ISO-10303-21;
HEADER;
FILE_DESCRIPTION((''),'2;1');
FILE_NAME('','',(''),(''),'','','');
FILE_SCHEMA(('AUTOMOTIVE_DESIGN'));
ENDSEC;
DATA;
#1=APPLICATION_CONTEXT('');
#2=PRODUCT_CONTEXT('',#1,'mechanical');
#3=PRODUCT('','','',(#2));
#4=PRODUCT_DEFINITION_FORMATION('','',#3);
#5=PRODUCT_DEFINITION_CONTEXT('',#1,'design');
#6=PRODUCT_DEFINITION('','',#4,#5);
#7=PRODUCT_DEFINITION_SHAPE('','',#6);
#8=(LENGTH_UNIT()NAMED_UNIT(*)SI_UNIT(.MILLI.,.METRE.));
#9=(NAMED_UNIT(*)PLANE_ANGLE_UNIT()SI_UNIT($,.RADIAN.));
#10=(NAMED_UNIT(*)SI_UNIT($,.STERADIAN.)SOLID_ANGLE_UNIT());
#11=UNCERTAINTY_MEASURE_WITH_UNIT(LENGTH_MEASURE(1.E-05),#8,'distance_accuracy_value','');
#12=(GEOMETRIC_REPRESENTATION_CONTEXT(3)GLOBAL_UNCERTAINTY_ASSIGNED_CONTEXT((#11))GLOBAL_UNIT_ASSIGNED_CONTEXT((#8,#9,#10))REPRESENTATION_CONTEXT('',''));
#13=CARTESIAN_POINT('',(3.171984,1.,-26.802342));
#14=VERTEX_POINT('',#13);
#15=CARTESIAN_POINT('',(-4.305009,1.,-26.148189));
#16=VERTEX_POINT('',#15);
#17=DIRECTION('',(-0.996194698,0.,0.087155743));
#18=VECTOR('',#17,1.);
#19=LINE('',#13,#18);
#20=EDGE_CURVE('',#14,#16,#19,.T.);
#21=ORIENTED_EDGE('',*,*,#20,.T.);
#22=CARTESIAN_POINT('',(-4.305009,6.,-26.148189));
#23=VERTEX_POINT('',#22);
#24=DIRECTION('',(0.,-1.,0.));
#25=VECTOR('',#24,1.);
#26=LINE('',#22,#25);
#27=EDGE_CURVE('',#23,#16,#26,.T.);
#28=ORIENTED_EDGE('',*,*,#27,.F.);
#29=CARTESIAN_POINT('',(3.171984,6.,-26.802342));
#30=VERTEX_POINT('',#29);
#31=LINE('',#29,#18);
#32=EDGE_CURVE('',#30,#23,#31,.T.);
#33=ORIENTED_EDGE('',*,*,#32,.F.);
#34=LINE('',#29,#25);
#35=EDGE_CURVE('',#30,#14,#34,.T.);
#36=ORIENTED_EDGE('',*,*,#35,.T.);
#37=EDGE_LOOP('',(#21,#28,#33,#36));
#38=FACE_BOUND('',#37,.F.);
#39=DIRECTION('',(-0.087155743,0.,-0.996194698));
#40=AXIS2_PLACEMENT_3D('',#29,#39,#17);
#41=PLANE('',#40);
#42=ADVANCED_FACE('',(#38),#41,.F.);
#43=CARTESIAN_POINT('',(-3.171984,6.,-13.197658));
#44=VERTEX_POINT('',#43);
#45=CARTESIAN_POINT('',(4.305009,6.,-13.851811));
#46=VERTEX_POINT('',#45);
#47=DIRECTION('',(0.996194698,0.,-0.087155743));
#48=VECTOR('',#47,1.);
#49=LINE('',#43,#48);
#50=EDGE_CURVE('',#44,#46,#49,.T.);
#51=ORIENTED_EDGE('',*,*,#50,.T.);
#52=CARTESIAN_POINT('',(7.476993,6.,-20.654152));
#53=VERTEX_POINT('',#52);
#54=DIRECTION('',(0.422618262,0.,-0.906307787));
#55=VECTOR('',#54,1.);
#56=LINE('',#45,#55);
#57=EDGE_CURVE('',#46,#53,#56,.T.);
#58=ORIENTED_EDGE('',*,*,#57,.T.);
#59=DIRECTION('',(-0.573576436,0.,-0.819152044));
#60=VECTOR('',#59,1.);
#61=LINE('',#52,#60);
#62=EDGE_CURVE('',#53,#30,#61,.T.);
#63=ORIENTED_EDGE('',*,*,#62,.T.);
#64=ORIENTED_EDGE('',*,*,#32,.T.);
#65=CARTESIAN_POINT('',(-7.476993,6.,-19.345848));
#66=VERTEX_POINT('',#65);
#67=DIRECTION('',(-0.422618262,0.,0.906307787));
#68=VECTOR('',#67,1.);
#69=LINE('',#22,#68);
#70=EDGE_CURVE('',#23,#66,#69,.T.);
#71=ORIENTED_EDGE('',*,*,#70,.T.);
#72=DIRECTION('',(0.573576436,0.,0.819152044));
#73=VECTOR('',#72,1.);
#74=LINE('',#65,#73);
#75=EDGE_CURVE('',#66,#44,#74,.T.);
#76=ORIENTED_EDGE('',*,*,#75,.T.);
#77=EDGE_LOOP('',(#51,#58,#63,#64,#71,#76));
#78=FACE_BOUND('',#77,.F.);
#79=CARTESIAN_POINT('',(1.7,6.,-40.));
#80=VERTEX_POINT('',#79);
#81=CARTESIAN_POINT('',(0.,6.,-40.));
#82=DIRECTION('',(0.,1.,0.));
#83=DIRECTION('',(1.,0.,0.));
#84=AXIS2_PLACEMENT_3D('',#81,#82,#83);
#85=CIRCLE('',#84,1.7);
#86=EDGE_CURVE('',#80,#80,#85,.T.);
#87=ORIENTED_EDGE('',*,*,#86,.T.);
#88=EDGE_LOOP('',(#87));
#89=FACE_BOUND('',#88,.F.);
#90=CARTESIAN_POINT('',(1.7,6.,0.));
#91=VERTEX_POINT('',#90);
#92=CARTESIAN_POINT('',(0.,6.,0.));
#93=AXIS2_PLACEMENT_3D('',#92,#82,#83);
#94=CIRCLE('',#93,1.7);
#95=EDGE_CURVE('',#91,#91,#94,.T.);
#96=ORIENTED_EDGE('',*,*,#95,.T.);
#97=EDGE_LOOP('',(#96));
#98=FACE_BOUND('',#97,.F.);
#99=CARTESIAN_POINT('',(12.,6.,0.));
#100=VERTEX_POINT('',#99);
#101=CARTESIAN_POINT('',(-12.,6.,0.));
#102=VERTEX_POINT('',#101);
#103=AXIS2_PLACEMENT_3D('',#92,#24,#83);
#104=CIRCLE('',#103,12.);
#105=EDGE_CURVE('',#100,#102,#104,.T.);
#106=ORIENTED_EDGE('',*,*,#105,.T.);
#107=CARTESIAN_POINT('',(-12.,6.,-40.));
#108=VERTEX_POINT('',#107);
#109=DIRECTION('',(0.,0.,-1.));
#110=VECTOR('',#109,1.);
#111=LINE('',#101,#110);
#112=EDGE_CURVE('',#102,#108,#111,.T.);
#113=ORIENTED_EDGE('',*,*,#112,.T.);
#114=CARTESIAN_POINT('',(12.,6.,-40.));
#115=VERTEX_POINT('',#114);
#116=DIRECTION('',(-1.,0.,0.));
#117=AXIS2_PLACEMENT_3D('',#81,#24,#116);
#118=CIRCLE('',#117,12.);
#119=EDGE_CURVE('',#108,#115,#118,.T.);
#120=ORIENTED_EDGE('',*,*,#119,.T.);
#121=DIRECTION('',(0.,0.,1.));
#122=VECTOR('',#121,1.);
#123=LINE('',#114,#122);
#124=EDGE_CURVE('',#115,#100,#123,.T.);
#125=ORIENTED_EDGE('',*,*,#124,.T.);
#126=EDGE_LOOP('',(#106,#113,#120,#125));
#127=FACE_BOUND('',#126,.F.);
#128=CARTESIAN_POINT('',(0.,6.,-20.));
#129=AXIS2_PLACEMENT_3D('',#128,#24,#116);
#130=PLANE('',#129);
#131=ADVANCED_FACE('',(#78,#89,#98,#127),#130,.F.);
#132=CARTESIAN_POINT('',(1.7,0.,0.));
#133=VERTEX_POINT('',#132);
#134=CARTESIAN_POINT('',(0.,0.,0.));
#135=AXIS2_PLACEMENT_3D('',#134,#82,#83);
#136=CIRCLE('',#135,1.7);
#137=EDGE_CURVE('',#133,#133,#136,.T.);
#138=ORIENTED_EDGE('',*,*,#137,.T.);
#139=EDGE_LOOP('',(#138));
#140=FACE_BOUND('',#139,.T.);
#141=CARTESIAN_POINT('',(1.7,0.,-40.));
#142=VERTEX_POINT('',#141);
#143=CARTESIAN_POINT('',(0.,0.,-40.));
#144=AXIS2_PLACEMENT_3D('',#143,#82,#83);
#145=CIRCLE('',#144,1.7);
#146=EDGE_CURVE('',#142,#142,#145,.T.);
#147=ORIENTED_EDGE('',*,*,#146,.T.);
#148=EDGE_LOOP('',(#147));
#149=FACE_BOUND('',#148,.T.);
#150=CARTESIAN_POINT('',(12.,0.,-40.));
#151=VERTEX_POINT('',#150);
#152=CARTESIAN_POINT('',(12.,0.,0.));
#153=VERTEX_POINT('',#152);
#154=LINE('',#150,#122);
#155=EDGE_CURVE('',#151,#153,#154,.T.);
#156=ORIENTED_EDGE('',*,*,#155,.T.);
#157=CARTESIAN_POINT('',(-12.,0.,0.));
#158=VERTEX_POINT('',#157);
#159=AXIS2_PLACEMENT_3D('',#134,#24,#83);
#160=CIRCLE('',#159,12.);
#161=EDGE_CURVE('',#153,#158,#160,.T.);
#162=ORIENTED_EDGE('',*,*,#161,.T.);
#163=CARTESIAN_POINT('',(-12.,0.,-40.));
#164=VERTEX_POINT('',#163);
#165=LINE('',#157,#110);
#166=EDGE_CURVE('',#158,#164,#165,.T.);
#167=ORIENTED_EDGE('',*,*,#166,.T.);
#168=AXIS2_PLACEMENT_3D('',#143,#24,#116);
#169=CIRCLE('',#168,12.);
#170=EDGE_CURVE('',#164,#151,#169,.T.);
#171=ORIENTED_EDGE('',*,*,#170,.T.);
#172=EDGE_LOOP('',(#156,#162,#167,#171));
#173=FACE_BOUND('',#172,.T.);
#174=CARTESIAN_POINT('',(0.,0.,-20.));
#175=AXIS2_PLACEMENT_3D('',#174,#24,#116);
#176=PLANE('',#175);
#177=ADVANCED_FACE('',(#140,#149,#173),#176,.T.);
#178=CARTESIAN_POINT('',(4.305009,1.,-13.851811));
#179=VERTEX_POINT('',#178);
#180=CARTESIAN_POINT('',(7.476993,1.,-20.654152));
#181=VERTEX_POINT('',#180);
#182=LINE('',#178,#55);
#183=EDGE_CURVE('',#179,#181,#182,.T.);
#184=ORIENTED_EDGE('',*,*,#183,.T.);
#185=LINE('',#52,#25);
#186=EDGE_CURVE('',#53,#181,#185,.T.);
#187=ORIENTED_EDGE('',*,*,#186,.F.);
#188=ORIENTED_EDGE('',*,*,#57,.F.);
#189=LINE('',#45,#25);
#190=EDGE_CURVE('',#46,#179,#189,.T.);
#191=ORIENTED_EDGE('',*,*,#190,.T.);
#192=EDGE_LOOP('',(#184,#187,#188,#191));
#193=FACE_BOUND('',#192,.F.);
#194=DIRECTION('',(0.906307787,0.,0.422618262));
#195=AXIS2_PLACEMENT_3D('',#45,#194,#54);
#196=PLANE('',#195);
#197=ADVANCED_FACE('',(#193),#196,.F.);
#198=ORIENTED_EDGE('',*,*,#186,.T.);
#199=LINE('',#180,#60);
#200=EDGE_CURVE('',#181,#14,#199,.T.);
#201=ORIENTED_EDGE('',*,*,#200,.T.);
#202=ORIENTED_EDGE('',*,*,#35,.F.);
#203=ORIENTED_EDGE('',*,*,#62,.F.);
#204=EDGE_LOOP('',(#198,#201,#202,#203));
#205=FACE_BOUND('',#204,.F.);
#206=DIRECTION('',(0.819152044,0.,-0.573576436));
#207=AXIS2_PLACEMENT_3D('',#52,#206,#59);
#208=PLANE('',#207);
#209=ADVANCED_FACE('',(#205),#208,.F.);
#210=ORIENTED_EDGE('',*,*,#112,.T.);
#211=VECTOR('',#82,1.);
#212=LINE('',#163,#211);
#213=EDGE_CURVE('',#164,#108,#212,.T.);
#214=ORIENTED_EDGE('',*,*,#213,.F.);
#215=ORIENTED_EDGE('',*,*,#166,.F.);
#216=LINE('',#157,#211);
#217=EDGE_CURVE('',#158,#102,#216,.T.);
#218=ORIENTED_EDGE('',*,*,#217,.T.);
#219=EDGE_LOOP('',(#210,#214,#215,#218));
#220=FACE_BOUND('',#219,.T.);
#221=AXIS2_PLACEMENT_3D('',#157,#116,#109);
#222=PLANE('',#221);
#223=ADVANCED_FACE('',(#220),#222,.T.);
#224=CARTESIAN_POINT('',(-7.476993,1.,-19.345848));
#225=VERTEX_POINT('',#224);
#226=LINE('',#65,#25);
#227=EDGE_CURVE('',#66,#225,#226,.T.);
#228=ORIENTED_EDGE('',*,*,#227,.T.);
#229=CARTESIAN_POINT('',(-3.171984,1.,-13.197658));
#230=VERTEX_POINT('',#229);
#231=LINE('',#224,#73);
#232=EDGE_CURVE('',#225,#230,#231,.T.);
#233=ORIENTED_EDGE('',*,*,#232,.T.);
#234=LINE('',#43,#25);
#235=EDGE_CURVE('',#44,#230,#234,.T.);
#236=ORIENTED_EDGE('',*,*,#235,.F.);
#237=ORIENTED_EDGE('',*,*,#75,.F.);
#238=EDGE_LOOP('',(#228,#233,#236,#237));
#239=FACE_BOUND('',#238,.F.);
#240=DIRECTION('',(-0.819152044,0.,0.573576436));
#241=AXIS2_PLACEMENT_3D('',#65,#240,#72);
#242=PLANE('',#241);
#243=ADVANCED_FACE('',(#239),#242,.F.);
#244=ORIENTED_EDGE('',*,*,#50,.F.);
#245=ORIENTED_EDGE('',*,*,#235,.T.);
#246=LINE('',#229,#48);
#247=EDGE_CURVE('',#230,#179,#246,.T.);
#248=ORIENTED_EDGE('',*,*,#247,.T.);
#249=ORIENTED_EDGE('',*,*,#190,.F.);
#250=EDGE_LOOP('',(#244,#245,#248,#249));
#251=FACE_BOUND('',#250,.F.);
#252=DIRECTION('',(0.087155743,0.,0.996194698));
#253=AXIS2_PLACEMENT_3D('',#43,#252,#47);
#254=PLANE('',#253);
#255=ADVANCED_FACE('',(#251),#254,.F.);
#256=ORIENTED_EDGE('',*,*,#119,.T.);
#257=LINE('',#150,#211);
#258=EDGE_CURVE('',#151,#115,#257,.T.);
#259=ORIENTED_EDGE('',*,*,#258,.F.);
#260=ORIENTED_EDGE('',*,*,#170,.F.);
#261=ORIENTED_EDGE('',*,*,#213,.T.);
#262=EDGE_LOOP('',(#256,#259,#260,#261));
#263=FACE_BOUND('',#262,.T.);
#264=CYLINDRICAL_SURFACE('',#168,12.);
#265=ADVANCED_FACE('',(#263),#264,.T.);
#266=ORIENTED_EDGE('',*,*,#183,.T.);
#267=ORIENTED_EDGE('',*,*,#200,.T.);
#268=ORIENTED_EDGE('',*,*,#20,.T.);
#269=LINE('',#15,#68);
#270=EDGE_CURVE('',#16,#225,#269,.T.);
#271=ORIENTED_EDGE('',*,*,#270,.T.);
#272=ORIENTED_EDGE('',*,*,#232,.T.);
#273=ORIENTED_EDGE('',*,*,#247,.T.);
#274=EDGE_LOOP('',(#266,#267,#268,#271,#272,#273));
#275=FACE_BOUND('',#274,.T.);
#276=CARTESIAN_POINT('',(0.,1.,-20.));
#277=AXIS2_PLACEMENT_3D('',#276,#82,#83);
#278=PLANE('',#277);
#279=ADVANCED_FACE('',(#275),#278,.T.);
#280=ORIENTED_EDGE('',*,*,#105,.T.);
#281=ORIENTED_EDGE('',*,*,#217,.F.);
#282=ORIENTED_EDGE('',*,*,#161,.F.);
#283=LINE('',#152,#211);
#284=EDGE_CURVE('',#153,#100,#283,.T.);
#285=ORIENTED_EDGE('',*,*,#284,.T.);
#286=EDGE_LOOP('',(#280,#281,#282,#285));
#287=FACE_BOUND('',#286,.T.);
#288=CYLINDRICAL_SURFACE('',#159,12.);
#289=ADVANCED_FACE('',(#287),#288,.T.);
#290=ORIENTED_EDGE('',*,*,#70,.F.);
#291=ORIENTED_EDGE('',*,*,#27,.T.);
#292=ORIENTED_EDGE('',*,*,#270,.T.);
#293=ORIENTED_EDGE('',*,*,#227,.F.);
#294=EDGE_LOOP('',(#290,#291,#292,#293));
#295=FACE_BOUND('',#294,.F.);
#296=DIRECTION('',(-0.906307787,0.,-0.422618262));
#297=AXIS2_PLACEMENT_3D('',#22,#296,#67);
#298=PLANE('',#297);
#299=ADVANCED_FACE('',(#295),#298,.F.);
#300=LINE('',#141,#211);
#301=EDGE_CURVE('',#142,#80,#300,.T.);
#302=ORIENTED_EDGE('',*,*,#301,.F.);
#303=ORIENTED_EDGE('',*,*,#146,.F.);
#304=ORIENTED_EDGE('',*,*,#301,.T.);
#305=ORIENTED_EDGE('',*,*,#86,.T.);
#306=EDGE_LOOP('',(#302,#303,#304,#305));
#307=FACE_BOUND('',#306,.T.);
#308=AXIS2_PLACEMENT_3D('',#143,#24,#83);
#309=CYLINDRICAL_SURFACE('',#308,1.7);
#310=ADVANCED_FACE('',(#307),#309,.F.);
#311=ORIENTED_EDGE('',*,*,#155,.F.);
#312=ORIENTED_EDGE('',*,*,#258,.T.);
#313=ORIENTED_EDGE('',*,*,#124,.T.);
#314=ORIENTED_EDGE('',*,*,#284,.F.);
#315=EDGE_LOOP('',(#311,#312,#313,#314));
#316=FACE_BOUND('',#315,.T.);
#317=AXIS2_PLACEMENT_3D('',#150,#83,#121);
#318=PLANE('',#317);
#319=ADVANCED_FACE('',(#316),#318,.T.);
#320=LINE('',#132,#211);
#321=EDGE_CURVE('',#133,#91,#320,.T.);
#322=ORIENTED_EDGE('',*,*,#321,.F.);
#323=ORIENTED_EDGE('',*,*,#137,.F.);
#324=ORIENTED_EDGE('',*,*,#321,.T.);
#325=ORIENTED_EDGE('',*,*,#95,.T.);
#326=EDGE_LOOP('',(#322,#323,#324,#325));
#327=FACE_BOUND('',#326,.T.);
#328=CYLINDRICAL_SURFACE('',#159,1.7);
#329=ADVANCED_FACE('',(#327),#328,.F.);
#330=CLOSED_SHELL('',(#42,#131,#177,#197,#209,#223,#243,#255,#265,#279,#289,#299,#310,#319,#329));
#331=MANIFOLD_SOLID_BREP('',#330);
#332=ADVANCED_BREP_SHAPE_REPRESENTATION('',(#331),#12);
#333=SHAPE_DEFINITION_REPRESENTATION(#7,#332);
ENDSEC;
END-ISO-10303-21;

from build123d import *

# Parameters (mm, degrees)
SKETCH1_R           = 1.7
BOSS_EXTRUDE1_DEPTH = 6
CUT_EXTRUDE1_DEPTH  = 5


with BuildPart() as part:
    # Sketch1 → Boss-Extrude1 (new body)
    with BuildSketch(Plane(origin=(0, 0, 0), x_dir=(1, 0, 0), z_dir=(0, 1, 0))):
        with BuildLine():
            Line((-12, 0), (-12, 40))
            ThreePointArc((-12, 40), (0, 52), (12, 40))
            Line((12, 40), (12, 0))
            ThreePointArc((12, 0), (0, -12), (-12, 0))
        make_face()
        with Locations((0, 40)):
            Circle(SKETCH1_R, mode=Mode.SUBTRACT)
        Circle(SKETCH1_R, mode=Mode.SUBTRACT)
    extrude(amount=BOSS_EXTRUDE1_DEPTH)

    # Sketch2 → Cut-Extrude1 (cut)
    with BuildSketch(Plane(origin=(0, 6, 0), x_dir=(1, 0, 0), z_dir=(0, 1, 0))):
        Polygon((4.305008629, 13.851810507), (7.476992602, 20.65415209), (3.171983973, 26.802341583), (-4.305008629, 26.148189493), (-7.476992602, 19.34584791), (-3.171983973, 13.197658417), align=None)
    extrude(amount=-CUT_EXTRUDE1_DEPTH, mode=Mode.SUBTRACT)


solid = part.part
